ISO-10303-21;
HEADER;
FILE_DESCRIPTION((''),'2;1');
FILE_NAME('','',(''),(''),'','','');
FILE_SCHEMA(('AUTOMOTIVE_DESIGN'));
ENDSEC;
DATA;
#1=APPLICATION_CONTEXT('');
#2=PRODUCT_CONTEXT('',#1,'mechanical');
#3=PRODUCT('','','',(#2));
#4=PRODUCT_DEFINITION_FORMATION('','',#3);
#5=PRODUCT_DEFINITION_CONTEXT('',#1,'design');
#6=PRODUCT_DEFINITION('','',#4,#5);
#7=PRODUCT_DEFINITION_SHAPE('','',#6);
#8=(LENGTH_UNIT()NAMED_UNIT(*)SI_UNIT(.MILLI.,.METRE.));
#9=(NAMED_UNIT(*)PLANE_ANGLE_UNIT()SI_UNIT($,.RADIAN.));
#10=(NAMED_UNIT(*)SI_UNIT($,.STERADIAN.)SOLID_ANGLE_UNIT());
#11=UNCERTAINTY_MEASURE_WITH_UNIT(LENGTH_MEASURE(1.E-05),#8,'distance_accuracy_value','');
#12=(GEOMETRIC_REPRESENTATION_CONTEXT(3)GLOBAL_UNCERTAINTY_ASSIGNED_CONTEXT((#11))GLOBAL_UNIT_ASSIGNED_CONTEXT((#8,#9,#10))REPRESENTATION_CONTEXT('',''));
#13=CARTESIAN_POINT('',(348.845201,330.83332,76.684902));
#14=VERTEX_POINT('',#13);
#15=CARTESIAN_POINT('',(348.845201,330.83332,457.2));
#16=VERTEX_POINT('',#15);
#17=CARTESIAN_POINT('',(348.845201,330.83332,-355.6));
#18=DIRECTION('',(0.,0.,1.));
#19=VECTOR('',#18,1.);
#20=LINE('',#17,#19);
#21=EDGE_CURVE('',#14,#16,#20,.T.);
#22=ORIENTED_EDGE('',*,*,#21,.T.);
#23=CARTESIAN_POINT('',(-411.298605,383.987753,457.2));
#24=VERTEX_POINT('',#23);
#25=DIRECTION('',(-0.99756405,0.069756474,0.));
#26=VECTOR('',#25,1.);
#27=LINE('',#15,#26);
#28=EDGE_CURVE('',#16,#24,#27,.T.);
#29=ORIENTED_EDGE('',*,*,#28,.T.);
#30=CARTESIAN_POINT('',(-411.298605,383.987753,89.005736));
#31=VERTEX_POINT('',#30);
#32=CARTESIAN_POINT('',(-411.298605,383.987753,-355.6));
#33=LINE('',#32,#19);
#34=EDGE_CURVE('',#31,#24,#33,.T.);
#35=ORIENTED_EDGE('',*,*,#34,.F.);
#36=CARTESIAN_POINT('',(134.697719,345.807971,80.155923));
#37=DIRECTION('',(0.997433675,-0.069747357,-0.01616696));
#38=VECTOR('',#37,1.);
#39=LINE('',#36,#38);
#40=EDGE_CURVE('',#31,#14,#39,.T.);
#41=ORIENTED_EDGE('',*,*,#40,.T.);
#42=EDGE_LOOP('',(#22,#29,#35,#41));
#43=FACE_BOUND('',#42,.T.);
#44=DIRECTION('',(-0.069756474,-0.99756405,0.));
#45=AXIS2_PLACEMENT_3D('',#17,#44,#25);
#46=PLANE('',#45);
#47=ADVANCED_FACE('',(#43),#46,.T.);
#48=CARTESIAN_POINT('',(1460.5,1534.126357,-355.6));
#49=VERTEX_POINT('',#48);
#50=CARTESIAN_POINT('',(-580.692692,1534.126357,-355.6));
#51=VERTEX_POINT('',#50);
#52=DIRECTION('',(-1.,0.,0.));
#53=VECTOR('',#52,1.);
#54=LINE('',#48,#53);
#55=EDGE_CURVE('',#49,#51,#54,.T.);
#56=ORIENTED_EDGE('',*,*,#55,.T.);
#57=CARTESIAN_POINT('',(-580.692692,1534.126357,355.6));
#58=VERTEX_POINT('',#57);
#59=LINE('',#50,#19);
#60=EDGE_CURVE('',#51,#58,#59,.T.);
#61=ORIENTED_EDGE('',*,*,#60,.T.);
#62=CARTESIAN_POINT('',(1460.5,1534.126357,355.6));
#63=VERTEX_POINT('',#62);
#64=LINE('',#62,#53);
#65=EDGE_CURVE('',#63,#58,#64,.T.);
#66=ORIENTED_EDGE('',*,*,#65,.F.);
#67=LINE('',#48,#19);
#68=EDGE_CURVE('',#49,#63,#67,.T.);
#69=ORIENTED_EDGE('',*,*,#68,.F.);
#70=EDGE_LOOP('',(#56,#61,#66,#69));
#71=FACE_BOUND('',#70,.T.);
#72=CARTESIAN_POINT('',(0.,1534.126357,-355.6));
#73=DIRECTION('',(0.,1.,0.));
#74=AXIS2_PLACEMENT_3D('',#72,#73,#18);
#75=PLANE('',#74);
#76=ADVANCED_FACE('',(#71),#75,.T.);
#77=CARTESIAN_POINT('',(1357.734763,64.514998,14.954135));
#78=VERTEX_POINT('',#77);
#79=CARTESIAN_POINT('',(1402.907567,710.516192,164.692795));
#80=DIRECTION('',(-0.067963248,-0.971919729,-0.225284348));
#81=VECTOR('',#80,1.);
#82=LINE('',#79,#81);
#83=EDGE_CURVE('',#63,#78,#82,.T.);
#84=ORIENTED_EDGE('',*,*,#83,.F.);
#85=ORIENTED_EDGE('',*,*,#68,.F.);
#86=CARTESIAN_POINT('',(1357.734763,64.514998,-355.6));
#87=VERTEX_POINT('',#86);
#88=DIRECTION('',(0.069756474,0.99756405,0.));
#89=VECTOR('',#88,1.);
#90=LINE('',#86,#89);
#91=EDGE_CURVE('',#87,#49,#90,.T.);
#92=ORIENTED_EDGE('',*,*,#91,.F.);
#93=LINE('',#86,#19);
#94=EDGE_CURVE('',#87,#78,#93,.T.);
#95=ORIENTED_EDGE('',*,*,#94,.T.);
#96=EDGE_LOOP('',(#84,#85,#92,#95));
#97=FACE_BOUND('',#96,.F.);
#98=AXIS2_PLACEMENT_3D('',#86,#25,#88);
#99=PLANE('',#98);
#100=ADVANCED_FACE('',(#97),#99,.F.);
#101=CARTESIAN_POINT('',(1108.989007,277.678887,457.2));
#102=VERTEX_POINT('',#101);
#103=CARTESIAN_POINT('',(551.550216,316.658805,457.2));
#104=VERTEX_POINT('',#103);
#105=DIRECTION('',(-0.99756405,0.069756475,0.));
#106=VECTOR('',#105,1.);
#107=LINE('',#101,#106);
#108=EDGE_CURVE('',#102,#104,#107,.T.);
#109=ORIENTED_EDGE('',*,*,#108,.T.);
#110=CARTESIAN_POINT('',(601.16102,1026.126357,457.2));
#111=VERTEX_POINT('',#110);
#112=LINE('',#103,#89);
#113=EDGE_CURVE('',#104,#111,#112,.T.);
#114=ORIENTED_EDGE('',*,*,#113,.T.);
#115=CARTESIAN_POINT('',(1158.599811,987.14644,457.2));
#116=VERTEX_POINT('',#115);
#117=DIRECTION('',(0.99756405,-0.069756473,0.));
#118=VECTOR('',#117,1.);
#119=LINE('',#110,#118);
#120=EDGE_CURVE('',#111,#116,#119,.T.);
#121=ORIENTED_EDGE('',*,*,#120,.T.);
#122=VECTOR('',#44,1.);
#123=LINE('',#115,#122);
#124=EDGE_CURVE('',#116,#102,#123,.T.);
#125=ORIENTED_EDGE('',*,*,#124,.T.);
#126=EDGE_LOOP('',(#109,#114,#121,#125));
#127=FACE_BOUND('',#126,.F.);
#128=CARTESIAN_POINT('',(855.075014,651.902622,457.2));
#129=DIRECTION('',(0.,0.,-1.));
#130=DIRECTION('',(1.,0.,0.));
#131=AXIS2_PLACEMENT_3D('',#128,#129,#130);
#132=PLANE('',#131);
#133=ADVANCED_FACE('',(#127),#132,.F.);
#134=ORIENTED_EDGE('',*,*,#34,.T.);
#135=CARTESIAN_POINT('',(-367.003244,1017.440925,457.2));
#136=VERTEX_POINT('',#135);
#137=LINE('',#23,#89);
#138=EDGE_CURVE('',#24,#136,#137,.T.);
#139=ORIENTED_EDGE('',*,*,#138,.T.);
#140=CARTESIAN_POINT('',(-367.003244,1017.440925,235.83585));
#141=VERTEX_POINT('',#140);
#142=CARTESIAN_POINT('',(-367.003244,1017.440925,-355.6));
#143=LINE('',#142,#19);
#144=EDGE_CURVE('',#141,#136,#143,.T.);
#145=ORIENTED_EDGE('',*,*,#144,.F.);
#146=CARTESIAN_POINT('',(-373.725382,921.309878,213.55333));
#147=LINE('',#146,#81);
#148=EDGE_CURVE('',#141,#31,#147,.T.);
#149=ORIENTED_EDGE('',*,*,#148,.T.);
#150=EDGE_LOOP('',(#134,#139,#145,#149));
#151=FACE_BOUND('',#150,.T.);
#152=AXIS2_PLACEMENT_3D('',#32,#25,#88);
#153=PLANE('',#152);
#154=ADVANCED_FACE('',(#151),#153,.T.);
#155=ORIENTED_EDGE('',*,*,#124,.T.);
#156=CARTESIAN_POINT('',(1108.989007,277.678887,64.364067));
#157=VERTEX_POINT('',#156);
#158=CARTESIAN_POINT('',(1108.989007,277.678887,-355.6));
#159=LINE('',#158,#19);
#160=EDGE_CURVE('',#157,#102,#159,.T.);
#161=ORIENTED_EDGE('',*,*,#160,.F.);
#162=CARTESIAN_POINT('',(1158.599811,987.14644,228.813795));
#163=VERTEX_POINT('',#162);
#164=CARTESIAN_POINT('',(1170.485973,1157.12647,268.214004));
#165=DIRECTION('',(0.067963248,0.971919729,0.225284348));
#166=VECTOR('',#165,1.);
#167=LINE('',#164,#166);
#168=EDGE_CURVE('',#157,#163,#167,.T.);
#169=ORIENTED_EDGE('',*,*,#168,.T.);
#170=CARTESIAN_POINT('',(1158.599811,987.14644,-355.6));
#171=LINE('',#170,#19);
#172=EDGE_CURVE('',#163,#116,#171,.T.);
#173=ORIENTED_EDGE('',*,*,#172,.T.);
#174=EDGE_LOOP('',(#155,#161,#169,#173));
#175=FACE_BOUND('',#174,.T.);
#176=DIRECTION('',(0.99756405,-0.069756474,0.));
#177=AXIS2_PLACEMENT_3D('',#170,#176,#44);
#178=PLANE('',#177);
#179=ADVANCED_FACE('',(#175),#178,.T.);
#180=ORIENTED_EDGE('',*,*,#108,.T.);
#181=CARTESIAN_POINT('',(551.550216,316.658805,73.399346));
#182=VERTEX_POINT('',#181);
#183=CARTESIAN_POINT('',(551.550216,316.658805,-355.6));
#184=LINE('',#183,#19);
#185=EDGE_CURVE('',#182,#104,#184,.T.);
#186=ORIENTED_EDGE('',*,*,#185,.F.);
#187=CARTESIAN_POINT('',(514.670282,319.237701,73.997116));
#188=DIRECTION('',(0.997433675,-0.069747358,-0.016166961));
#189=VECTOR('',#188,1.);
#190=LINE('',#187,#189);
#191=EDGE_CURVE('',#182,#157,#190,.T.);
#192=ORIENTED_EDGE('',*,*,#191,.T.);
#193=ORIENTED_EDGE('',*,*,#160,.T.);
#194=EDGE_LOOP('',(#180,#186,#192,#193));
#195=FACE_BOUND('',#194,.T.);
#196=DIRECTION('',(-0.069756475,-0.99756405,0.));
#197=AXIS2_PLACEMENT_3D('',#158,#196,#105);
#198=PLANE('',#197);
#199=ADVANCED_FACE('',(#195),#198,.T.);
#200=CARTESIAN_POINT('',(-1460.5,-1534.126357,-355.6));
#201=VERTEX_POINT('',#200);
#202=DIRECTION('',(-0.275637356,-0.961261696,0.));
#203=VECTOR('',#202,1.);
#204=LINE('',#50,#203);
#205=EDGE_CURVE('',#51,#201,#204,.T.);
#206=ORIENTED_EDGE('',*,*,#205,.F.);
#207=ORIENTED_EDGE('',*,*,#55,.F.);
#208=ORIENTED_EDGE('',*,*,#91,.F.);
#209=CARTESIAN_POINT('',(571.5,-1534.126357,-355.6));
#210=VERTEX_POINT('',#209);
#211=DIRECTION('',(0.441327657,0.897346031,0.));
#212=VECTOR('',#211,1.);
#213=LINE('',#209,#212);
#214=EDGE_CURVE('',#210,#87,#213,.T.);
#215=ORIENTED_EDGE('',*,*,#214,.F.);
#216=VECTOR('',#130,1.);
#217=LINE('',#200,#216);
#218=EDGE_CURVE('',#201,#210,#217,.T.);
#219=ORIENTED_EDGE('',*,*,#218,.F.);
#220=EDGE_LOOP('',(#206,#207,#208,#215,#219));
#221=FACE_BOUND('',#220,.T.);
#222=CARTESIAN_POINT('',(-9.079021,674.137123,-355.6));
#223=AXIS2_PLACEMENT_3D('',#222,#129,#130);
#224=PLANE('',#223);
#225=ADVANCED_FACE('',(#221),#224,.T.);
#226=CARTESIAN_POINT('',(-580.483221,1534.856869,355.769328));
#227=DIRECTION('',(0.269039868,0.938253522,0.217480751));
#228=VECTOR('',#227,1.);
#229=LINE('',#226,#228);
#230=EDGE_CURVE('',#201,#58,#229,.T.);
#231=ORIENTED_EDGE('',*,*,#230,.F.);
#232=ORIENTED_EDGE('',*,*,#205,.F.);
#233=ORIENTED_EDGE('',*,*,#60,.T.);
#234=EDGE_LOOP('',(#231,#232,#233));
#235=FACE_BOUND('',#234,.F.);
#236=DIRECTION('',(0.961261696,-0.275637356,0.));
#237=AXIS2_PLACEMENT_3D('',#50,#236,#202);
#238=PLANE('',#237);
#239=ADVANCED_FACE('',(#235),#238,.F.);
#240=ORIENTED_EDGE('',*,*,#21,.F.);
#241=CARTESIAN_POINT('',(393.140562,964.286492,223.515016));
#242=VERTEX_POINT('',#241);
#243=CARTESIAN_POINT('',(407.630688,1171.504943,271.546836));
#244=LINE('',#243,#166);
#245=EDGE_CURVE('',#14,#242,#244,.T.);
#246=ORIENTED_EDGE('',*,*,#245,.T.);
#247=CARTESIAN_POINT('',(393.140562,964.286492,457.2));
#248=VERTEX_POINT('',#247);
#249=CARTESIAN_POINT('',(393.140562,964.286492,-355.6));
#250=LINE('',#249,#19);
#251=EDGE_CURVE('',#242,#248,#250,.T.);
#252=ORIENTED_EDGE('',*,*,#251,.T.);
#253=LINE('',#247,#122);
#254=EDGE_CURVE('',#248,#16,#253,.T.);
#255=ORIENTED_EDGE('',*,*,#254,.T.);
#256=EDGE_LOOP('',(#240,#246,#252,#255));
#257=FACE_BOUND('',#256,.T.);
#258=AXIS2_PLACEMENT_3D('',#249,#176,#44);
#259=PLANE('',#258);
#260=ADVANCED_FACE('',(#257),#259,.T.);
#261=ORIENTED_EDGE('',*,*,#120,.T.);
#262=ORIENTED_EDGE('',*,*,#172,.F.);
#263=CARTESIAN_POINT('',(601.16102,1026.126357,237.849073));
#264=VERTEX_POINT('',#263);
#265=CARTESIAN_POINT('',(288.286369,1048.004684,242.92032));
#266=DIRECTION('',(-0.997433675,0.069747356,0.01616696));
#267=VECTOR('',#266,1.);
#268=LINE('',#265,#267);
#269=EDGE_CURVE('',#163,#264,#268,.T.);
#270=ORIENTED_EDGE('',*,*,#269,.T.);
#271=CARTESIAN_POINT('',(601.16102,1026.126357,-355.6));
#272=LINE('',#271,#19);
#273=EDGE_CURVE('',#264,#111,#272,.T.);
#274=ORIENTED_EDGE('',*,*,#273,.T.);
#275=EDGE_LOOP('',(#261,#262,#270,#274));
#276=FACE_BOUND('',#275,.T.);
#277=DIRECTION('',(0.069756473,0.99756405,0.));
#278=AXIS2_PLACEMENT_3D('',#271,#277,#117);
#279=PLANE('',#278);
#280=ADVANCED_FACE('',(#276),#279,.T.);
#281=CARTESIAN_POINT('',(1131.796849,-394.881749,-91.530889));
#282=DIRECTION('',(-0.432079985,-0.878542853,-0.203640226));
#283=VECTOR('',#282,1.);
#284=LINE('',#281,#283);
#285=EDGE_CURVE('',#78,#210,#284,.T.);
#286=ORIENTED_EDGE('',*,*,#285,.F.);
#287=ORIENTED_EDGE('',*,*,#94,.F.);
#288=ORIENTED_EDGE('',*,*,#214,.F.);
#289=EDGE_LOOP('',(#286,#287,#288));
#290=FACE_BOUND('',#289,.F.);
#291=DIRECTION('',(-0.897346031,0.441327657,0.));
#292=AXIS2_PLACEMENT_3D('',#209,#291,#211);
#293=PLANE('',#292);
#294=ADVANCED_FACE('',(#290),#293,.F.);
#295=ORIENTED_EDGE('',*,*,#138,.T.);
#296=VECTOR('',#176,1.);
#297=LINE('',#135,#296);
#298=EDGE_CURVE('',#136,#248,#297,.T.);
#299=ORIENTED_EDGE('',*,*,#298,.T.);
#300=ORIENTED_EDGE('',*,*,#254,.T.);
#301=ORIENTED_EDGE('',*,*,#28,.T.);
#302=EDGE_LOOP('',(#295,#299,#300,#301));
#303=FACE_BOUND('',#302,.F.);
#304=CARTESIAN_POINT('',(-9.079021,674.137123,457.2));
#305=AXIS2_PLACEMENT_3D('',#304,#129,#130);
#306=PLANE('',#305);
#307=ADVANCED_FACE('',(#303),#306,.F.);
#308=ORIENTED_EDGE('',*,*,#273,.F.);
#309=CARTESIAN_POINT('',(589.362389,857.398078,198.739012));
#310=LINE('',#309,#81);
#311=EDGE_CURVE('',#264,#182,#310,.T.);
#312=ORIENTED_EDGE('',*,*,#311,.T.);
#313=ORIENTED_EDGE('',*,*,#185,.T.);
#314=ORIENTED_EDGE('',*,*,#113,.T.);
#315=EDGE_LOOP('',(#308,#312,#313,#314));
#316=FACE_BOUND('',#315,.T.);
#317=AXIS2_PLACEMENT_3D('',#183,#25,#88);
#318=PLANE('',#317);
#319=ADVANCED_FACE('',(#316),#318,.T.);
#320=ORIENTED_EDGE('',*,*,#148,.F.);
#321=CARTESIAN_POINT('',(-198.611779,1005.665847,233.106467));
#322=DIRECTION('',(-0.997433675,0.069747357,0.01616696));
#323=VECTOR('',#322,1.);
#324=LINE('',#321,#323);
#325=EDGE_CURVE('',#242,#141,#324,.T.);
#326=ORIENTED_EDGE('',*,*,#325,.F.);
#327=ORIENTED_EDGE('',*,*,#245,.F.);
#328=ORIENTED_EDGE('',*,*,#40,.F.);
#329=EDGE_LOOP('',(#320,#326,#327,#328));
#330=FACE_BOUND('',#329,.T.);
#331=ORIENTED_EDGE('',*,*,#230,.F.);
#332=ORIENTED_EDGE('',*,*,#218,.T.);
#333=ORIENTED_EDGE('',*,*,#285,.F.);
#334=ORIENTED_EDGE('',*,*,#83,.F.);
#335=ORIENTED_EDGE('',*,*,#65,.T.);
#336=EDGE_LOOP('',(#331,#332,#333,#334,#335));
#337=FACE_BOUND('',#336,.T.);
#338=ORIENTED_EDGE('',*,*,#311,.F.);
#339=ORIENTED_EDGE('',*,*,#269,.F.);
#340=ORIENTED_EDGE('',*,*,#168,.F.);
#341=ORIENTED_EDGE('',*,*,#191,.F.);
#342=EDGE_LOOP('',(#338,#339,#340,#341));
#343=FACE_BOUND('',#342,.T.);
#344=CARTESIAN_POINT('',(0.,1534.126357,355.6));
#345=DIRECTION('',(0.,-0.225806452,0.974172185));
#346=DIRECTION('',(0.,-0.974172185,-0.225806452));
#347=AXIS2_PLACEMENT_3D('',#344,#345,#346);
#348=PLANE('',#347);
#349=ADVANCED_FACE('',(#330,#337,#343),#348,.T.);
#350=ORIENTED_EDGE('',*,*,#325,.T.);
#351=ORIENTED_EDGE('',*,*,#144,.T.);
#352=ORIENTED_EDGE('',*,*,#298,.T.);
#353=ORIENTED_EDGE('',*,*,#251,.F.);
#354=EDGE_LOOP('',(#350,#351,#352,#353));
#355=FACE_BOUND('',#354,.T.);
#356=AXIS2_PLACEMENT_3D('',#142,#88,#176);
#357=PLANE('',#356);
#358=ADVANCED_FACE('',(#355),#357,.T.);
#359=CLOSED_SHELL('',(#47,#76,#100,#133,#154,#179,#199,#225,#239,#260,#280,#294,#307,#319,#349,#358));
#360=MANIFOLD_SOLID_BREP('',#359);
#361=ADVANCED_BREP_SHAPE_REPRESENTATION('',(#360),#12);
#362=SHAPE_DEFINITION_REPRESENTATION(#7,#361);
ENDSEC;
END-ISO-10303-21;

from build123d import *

# Parameters (mm, degrees)
F1_DEPTH = 1460.5
F3_DEPTH = 711.201
F5_DEPTH = 812.8


with BuildPart() as f1:
    # F0 (on Right) → F1 (new body, symmetric)
    with BuildSketch(Plane.YZ):
        Polygon((1534.126357, 355.6), (0, 0), (-1534.126357, -355.6), (1534.126357, -355.6), align=None)
    extrude(amount=F1_DEPTH, both=True)

    # F2 (on face) → F3 (cut, through all)
    with BuildSketch(Plane(origin=(0, 0, -355.6), x_dir=(1, 0, 0), z_dir=(0, 0, -1))):
        Polygon((-580.692692, -1534.126357), (-1460.5, 1534.126357), (-1460.5, -1534.126357), align=None)
        Polygon((1460.5, -1534.126357), (1460.5, 1534.126357), (571.5, 1534.126357), (1357.734763, -64.514998), align=None)
    extrude(amount=-F3_DEPTH, mode=Mode.SUBTRACT)

    # F4 (on face) → F5 (join)
    with BuildSketch(Plane(origin=(0, 0, -355.6), x_dir=(1, 0, 0), z_dir=(0, 0, -1))):
        Polygon((-411.298605, -383.987753), (-367.003244, -1017.440925), (393.140562, -964.286492), (348.845201, -330.83332), align=None)
        Polygon((551.550216, -316.658805), (601.16102, -1026.126357), (1158.599811, -987.14644), (1108.989007, -277.678887), align=None)
    extrude(amount=-F5_DEPTH)


solid = f1.part
